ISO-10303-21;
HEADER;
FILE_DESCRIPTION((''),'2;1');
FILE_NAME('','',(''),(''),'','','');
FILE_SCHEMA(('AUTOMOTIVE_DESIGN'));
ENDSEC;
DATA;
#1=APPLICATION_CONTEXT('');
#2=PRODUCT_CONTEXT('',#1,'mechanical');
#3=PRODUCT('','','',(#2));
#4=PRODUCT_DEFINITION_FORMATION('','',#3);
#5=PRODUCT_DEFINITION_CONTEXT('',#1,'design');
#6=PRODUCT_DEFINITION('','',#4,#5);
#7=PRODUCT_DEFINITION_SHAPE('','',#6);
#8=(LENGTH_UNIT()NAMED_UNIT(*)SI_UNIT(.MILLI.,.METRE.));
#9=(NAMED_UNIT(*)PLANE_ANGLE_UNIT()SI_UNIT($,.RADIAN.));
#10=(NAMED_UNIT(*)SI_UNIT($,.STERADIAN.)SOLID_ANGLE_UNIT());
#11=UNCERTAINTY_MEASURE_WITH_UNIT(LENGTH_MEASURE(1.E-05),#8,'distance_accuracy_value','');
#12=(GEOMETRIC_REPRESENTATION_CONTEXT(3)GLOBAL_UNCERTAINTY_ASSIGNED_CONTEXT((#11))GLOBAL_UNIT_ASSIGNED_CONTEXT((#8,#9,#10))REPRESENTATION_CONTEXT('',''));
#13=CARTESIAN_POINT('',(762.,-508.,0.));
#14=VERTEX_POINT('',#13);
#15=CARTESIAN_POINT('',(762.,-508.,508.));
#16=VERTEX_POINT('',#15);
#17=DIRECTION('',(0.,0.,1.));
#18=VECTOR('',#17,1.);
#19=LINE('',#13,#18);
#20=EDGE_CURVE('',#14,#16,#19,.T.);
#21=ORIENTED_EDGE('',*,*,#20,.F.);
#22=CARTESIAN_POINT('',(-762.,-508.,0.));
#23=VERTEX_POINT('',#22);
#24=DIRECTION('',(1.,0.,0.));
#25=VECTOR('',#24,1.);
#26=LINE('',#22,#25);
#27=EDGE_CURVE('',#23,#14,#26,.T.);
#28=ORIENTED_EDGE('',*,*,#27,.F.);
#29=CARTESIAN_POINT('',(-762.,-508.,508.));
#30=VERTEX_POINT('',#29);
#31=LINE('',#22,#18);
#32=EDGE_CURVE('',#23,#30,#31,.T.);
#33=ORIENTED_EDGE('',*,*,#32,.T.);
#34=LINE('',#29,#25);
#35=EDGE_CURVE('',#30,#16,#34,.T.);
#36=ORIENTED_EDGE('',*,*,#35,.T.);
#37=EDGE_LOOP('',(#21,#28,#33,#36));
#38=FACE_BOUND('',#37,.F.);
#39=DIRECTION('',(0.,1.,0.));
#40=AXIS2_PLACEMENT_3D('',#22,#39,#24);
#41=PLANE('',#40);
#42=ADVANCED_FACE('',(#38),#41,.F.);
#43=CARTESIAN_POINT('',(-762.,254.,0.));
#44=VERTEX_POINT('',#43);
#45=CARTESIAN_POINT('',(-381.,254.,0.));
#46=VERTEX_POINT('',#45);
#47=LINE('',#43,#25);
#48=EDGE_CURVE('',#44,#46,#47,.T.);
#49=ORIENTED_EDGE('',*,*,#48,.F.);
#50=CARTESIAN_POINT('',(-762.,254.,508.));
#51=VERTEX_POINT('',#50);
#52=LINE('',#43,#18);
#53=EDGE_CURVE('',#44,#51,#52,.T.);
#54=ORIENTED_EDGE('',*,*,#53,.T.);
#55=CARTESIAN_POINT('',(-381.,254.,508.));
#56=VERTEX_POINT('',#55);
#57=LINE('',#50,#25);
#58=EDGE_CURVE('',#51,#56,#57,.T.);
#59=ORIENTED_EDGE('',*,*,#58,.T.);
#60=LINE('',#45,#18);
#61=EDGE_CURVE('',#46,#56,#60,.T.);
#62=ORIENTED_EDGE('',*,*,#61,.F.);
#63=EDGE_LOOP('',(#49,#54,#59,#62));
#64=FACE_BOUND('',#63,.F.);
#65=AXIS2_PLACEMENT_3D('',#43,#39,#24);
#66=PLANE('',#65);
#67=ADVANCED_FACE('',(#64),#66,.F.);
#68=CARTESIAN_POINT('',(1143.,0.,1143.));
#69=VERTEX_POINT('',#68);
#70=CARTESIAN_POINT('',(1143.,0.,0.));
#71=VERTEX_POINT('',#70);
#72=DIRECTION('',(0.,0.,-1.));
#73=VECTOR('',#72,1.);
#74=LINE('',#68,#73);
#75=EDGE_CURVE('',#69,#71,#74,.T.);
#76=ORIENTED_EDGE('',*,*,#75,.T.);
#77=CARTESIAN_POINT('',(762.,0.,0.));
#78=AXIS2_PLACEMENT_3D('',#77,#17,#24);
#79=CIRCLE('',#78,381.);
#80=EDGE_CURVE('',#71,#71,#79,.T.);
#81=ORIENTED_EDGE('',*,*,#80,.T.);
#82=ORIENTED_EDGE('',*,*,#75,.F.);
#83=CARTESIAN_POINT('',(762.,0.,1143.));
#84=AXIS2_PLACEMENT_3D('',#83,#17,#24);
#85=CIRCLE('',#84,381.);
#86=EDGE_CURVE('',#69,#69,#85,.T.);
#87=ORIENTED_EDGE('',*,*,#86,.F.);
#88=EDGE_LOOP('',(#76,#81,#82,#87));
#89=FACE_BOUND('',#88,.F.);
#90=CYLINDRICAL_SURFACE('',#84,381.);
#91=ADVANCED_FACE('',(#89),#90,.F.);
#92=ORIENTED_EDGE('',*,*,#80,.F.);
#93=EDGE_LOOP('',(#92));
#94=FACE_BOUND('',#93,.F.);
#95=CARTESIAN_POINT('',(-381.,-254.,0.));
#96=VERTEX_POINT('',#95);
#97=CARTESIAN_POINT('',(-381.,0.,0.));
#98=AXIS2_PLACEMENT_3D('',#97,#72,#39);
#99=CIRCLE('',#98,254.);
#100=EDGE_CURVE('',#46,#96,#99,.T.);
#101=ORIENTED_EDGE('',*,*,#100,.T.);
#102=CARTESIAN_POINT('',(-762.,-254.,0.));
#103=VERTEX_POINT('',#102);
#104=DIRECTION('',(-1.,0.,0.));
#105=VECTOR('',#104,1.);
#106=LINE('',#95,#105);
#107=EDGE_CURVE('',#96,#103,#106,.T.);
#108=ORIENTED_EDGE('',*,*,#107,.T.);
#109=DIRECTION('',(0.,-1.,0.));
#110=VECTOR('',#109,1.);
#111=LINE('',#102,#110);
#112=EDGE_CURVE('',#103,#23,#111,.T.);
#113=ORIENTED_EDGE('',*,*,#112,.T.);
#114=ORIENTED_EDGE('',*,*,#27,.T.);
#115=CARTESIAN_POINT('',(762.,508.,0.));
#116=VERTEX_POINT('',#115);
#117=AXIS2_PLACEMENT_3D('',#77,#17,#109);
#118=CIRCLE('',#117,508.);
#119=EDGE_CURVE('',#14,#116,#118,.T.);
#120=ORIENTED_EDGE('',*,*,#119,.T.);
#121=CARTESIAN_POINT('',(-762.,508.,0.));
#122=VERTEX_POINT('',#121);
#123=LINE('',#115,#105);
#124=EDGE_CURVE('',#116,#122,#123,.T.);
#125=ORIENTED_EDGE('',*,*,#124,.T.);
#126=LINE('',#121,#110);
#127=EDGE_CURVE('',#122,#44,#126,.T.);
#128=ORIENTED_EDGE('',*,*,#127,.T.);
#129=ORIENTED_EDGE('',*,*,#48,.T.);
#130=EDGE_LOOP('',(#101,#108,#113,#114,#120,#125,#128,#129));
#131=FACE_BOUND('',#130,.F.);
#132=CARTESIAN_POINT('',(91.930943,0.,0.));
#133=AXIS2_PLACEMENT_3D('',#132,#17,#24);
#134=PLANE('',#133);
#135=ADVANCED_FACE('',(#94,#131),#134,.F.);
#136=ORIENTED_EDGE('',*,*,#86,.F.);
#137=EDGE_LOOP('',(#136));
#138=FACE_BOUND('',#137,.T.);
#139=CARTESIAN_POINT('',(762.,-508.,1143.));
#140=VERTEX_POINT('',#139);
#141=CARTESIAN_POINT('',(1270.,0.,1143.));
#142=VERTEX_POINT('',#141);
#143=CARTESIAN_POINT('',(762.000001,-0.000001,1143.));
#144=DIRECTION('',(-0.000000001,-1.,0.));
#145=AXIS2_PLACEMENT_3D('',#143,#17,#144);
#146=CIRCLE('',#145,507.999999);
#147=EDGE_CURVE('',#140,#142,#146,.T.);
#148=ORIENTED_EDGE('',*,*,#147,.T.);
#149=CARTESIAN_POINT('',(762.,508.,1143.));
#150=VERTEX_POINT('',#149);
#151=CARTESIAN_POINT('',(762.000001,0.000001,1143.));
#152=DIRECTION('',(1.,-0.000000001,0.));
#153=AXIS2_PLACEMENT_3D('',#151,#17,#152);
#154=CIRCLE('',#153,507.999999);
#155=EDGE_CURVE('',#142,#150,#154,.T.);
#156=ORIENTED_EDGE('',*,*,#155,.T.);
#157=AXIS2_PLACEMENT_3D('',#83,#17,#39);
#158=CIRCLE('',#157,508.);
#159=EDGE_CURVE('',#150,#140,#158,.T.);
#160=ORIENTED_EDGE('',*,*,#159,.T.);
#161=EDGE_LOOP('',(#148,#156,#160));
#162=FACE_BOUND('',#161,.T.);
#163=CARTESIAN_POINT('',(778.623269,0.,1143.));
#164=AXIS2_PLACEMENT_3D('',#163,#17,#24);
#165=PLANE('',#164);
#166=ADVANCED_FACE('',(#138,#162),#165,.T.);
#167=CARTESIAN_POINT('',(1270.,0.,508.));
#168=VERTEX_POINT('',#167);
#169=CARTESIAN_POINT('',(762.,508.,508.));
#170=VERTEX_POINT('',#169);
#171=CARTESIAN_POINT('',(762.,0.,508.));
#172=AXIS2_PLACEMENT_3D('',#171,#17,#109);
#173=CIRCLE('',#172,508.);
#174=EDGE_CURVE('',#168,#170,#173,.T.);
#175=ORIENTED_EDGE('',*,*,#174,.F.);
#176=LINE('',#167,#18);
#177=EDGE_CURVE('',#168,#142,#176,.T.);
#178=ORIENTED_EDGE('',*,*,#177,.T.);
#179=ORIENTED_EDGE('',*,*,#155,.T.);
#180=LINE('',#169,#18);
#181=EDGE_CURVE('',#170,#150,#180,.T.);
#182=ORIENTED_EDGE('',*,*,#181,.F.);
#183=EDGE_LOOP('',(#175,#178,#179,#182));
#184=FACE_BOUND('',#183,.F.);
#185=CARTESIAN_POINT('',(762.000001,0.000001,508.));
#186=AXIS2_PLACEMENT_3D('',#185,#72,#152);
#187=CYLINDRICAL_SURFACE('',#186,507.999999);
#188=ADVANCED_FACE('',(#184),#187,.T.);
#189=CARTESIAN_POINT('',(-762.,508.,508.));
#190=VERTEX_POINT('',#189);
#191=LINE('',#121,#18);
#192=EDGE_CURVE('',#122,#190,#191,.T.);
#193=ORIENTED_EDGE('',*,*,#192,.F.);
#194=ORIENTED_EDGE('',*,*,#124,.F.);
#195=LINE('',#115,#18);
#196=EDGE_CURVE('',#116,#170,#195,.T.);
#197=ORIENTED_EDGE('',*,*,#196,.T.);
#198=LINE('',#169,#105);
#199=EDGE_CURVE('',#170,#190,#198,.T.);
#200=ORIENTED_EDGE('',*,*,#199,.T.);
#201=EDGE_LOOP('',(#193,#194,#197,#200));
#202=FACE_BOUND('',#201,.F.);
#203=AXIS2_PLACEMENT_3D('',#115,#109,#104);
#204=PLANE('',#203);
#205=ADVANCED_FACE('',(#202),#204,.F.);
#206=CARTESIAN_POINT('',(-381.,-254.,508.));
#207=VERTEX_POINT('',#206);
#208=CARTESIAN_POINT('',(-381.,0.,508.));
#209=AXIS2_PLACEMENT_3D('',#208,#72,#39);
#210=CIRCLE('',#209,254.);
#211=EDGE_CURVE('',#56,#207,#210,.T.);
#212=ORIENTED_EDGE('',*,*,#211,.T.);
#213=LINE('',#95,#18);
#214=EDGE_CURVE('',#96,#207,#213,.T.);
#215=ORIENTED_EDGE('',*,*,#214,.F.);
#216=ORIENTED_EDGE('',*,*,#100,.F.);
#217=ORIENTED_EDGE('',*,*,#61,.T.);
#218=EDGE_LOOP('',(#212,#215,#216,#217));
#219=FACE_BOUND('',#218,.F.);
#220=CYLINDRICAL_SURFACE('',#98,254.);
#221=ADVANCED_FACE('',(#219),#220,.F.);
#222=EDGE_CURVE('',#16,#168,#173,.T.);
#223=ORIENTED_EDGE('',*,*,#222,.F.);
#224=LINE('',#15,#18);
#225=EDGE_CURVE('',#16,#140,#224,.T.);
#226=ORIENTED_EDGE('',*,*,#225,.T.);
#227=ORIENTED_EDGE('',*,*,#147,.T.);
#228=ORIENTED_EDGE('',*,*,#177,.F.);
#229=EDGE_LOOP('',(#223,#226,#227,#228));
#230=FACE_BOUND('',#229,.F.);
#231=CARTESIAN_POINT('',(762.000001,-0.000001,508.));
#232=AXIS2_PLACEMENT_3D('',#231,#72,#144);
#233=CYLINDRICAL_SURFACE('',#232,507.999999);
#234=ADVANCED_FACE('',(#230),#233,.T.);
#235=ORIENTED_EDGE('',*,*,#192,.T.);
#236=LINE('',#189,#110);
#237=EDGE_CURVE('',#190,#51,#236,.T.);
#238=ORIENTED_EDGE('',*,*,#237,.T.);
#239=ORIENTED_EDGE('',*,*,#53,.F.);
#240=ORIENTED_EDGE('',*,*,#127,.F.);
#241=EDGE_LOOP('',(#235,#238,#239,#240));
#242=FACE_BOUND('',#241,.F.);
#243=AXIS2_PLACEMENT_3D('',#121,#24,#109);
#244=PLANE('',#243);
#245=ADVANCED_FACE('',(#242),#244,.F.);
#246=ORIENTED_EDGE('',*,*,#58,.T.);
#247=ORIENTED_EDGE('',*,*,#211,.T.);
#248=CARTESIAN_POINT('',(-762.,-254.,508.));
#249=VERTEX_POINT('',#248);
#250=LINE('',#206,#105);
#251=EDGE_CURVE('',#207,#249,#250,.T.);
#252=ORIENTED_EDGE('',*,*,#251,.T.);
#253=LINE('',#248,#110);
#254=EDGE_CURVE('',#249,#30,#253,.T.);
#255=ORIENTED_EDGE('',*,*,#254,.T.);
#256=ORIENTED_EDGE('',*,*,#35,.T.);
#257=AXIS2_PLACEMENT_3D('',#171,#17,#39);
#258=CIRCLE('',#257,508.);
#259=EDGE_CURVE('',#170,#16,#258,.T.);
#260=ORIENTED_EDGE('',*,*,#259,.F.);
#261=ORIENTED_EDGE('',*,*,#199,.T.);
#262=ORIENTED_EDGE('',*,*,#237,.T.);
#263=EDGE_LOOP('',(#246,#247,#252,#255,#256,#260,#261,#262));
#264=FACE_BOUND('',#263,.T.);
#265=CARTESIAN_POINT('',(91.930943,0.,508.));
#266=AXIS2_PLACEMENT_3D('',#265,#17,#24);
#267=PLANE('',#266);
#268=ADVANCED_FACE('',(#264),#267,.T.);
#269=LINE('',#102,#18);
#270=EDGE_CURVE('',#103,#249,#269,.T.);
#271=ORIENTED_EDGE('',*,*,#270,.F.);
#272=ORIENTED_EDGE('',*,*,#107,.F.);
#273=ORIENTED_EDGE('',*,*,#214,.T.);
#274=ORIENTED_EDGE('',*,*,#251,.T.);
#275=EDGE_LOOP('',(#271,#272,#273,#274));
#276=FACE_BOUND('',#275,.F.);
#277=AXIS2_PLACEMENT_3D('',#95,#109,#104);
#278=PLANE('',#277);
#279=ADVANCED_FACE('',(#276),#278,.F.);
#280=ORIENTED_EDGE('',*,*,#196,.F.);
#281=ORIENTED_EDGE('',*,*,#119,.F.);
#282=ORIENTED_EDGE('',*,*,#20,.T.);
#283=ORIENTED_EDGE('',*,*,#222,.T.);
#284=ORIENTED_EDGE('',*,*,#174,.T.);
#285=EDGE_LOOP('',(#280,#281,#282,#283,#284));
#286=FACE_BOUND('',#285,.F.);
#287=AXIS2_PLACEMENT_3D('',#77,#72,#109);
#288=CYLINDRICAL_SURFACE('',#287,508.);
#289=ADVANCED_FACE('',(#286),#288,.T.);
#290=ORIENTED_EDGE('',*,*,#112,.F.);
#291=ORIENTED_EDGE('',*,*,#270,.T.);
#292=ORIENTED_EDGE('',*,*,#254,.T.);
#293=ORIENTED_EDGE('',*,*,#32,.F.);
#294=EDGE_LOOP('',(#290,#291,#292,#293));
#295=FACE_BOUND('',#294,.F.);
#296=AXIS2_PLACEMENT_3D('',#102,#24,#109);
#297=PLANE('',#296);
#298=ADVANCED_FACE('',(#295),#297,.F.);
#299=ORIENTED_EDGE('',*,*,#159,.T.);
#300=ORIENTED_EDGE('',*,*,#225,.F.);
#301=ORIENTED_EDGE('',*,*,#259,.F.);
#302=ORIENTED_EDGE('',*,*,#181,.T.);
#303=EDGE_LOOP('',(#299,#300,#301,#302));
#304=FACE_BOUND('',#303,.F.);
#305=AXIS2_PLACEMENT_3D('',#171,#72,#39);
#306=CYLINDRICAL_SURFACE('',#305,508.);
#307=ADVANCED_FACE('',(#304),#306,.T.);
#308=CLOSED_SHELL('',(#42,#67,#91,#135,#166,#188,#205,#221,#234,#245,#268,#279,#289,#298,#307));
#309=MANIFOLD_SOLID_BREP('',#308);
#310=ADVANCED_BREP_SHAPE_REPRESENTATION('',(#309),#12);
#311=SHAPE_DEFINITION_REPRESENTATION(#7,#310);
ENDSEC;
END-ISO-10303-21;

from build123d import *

# Parameters (mm, degrees)
F1_DEPTH = 508
F3_DEPTH = 635
F4_R     = 381
F5_DEPTH = 1143


with BuildPart() as f1:
    # F0 (on Top) → F1 (new body)
    with BuildSketch(Plane.XY):
        with BuildLine():
            Line((-762, -508), (762, -508))
            ThreePointArc((762, -508), (1270, 0), (762, 508))
            Line((762, 508), (-762, 508))
            Line((-762, 508), (-762, 254))
            Line((-762, 254), (-381, 254))
            ThreePointArc((-381, 254), (-127, 0), (-381, -254))
            Line((-381, -254), (-762, -254))
            Line((-762, -254), (-762, -508))
        make_face()
    extrude(amount=F1_DEPTH)

    # F2 (on face) → F3 (join)
    with BuildSketch(Plane.XY.offset(508)):
        with BuildLine():
            ThreePointArc((762, -508), (1121.210245, -359.210245), (1270, 0))
            ThreePointArc((1270, 0), (1121.210245, 359.210245), (762, 508))
            ThreePointArc((762, 508), (254, 0), (762, -508))
        make_face()
    extrude(amount=F3_DEPTH)

    # F4 (on face) → F5 (cut)
    with BuildSketch(Plane.XY.offset(1143)):
        with Locations((762, 0)):
            Circle(F4_R)
    extrude(amount=-F5_DEPTH, mode=Mode.SUBTRACT)


solid = f1.part
